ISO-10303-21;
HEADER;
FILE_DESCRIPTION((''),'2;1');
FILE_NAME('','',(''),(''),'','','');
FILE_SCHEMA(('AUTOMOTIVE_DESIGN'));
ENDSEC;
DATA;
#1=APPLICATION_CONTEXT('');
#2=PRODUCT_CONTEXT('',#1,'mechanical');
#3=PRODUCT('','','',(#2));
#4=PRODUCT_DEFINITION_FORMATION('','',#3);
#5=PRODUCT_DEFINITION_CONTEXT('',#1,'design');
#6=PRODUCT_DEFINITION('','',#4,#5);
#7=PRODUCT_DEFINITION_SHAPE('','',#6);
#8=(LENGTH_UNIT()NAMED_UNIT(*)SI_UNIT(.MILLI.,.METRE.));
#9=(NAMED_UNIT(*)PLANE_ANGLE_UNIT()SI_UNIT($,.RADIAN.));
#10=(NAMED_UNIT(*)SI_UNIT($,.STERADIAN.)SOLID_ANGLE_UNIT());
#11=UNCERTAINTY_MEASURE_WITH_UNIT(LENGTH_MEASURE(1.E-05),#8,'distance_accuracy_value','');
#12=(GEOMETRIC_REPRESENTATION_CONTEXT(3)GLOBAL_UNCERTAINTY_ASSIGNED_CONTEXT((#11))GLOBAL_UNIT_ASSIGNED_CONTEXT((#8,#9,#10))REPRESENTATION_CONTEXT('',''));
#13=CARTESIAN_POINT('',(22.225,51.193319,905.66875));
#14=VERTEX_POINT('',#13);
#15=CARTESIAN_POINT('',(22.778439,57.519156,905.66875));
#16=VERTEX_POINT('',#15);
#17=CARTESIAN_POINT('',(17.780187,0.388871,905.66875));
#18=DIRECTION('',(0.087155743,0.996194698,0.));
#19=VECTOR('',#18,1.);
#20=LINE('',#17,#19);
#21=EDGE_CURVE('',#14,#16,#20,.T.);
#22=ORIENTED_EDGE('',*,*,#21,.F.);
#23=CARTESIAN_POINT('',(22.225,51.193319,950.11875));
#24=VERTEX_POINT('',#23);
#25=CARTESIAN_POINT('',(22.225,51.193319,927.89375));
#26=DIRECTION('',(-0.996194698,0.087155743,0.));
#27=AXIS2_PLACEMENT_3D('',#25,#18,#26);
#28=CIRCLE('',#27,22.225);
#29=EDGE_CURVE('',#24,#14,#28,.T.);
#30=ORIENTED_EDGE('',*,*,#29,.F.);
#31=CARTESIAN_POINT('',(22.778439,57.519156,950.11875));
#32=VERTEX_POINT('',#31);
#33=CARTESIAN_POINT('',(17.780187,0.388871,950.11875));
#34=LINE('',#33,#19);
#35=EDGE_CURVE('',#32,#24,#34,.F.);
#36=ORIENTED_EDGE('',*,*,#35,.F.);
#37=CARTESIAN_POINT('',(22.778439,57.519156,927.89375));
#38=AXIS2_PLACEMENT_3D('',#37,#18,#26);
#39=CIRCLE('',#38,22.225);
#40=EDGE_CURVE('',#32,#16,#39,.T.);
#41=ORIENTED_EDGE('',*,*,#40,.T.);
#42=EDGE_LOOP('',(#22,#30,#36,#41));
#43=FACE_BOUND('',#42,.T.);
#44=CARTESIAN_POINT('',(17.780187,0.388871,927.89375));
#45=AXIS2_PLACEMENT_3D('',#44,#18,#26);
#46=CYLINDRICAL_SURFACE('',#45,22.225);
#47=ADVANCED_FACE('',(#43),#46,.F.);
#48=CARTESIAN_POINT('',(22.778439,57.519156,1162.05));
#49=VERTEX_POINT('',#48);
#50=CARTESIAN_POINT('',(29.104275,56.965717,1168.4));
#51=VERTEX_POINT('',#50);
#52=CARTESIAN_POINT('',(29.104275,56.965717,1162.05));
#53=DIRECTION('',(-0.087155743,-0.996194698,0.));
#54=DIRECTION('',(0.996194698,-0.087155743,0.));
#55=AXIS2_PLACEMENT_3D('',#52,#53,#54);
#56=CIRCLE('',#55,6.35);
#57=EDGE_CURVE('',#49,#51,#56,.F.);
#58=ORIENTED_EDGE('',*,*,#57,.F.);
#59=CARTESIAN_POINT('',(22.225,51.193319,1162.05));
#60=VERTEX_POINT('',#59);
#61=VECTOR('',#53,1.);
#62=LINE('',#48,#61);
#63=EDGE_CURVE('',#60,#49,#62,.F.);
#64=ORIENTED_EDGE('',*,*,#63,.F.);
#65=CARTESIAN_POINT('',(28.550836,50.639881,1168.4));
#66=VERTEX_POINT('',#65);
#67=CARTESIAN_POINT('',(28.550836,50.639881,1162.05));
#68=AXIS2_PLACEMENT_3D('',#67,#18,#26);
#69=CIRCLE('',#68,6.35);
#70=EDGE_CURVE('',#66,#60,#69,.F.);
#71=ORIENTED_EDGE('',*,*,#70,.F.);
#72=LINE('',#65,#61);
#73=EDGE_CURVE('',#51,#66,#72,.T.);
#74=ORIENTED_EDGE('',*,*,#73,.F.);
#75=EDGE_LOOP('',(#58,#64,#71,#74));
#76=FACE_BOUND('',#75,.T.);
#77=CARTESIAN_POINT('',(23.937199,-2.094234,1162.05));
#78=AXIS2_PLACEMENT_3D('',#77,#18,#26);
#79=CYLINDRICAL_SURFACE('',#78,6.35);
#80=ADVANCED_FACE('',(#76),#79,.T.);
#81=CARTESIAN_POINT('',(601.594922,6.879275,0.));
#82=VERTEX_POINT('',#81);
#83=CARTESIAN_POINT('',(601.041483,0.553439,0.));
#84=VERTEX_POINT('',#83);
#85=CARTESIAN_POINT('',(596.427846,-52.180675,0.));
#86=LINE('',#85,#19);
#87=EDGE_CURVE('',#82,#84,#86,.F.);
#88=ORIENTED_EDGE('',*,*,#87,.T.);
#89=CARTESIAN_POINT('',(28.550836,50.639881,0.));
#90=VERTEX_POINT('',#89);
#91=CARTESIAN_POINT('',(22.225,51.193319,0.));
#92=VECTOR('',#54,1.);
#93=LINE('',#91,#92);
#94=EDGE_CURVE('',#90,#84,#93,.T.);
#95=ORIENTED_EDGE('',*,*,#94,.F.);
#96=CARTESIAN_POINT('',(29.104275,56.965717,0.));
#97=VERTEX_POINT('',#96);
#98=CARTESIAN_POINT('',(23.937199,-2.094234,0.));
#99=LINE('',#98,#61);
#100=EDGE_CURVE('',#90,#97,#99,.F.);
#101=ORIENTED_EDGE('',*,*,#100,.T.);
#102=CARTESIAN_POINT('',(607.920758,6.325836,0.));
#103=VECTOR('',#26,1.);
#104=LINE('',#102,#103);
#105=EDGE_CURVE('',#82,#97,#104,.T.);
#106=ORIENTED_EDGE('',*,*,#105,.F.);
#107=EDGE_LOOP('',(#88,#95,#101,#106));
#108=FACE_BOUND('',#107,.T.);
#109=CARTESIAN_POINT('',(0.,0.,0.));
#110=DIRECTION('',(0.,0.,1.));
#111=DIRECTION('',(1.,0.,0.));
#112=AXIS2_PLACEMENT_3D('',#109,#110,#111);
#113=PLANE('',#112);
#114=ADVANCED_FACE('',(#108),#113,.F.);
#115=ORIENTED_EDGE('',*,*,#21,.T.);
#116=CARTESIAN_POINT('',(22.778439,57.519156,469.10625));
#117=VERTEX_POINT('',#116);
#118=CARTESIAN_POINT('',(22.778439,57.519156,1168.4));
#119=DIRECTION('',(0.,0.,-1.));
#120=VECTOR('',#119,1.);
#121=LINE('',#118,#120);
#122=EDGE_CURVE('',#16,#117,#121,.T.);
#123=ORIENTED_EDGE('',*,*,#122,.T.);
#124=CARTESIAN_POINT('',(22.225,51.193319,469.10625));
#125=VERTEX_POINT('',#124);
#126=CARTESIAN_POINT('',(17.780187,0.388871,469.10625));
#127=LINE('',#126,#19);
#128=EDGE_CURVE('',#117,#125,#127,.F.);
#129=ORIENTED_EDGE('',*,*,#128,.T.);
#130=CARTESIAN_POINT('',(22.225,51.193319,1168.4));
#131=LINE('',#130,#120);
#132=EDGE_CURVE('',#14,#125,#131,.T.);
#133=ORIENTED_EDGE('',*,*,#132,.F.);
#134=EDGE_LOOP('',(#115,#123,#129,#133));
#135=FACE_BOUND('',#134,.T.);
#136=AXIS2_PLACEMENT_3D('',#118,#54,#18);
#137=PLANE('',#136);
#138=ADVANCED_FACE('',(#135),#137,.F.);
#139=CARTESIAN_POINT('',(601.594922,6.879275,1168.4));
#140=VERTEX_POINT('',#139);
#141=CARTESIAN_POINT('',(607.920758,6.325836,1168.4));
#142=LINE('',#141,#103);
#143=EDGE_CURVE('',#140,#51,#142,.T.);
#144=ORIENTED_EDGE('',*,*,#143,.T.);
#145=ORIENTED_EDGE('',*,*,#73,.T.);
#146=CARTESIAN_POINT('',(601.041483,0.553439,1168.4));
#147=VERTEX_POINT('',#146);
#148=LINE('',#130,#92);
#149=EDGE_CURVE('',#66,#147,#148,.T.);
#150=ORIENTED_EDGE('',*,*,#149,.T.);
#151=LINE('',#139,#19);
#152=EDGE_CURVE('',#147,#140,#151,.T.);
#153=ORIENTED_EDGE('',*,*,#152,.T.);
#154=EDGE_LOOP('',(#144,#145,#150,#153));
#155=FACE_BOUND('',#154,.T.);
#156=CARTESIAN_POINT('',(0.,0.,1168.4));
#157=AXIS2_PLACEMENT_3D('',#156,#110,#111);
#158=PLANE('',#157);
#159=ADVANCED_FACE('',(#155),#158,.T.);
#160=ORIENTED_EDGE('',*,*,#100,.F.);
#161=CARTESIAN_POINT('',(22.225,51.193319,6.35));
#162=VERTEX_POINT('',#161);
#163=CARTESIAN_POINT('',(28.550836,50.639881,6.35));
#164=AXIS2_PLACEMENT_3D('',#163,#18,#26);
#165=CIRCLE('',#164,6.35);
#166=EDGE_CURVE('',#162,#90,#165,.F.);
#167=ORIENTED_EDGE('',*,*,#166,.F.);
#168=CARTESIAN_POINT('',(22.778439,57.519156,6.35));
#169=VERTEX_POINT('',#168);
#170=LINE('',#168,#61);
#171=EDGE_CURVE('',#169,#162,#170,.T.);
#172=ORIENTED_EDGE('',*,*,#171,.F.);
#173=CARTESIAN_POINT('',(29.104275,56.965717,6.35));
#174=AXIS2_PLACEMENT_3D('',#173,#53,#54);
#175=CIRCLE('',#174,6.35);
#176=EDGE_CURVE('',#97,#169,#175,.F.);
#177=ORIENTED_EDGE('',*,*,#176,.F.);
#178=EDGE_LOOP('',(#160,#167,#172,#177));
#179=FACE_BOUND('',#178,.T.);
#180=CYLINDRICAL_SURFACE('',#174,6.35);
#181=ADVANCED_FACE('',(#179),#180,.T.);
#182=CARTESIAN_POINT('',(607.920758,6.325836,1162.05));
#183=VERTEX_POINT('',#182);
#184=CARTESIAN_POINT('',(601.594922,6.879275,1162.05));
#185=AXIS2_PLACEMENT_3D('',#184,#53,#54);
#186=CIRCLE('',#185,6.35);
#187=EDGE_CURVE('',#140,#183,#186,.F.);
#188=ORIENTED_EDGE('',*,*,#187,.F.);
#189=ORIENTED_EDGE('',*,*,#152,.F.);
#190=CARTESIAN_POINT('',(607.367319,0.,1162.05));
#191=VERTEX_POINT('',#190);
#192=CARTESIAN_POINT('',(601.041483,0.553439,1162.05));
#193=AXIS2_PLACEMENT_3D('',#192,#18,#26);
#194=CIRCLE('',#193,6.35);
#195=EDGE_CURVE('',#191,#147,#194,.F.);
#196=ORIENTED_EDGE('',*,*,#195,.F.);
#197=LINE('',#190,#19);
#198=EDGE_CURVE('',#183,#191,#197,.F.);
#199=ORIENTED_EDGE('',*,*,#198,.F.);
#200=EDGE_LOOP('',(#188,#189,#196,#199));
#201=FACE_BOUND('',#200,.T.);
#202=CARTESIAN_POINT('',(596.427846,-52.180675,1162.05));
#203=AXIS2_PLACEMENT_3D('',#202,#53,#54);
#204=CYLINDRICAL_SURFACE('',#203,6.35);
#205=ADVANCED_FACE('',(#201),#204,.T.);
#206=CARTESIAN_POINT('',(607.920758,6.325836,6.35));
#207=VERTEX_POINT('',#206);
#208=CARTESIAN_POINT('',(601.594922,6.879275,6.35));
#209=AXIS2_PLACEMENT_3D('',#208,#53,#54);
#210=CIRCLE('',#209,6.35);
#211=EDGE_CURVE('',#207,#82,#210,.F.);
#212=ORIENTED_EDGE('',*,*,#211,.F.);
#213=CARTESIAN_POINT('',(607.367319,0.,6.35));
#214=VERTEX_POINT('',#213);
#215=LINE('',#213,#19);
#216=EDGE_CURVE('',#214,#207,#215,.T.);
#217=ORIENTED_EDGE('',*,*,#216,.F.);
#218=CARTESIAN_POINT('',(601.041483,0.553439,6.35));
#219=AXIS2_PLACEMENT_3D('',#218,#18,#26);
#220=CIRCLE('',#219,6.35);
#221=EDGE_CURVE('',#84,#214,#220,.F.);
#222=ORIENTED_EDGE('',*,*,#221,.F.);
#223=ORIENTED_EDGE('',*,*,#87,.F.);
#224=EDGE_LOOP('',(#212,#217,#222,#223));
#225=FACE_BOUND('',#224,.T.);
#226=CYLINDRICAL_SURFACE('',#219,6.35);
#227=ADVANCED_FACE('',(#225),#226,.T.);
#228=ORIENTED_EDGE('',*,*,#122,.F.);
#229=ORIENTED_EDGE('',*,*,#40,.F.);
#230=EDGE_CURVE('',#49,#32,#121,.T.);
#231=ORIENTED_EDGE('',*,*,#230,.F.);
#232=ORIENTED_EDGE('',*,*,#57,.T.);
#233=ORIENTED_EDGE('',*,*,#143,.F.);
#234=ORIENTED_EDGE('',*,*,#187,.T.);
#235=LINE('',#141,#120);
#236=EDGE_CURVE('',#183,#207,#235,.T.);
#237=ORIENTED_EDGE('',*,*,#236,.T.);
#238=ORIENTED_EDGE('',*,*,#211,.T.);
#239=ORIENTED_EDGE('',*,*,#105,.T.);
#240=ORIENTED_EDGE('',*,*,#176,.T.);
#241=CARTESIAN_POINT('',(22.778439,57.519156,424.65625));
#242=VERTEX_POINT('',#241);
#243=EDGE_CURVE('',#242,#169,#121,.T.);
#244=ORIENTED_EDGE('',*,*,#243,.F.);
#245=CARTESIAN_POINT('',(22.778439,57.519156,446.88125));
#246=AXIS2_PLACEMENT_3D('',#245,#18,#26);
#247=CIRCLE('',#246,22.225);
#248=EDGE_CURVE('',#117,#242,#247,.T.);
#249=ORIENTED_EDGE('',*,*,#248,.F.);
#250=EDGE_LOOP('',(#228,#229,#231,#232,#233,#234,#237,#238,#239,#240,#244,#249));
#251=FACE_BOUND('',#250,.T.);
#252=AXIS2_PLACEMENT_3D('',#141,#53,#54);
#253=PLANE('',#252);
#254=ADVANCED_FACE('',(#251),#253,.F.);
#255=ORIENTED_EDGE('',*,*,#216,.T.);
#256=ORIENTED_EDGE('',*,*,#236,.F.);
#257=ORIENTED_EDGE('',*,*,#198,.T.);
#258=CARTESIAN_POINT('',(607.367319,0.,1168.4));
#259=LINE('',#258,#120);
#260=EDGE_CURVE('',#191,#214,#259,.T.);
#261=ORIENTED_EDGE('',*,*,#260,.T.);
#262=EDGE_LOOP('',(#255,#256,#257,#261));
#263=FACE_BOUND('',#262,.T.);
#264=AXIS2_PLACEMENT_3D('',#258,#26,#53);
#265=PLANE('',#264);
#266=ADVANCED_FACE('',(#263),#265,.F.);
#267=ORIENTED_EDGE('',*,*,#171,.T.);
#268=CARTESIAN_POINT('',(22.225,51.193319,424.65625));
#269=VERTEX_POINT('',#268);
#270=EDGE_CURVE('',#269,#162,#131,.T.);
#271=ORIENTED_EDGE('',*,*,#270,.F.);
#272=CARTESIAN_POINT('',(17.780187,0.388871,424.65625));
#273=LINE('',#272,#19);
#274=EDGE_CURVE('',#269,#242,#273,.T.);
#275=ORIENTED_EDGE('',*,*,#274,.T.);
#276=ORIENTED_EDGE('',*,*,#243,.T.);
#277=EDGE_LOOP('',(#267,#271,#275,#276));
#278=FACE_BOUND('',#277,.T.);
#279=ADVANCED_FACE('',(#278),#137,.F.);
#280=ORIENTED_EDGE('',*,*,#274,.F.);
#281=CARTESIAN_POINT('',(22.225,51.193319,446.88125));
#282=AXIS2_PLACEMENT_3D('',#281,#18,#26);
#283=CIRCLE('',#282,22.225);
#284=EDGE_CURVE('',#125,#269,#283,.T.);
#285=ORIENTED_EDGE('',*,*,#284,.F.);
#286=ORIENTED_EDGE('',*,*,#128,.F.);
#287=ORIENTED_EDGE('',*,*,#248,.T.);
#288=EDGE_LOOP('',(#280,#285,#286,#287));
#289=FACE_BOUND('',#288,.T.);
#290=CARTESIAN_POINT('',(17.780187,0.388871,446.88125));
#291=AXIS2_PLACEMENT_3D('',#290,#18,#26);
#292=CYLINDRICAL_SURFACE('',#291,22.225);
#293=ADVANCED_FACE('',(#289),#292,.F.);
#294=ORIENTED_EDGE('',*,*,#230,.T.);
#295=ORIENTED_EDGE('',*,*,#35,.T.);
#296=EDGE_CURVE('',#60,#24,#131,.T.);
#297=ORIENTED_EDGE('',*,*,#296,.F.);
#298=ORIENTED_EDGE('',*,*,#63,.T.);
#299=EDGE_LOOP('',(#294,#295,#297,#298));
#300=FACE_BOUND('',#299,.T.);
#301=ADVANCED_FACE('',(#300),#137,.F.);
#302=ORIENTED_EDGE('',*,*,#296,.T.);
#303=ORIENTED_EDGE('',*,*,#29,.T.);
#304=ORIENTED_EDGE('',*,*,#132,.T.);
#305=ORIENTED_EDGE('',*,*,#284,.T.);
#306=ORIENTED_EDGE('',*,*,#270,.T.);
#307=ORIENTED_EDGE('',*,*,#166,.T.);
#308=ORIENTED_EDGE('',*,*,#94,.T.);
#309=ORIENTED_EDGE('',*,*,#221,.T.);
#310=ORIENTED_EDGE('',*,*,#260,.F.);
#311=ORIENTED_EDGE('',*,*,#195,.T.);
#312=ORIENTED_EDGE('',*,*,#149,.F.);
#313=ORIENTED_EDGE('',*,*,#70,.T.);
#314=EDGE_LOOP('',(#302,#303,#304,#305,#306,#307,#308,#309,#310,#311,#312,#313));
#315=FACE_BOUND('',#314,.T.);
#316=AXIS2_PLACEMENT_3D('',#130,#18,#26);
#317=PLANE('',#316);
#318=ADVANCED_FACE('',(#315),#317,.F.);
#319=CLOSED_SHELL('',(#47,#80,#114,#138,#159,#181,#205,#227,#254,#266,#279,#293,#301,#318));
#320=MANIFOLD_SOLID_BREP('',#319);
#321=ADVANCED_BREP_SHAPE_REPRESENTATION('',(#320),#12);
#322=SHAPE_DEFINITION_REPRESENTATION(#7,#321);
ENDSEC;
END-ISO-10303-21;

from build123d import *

# Parameters (mm, degrees)
BOSS_EXTRUDE1_DEPTH = 1168.4
SKETCH4_R           = 22.225
CUT_EXTRUDE1_DEPTH  = 58.348513463
FILLET1_R           = 6.35


with BuildPart() as part:
    # Sketch1 → Boss-Extrude1 (new body)
    with BuildSketch(Plane.XY):
        Polygon((22.225, 51.193319499), (607.367319431, 0), (607.920758397, 6.325836333), (22.778438966, 57.519155832), align=None)
    extrude(amount=BOSS_EXTRUDE1_DEPTH)

    # Sketch4 → Cut-Extrude1 (cut, through all)
    with BuildSketch(Plane(origin=(5.167076131, 59.05995043, 0), x_dir=(0.996194698, -0.087155743, 0), z_dir=(0.087155743, 0.996194698, 0))):
        with Locations((17.67863538, -446.88125)):
            Circle(SKETCH4_R)
        with Locations((17.67863538, -927.89375)):
            Circle(SKETCH4_R)
    extrude(amount=-CUT_EXTRUDE1_DEPTH, mode=Mode.SUBTRACT)

    # Fillet1
    fillet1_edges = [part.edges().sort_by_distance(p)[0] for p in [
        (607.644038914, 3.162918166, 1168.4),
        (22.501719483, 54.356237666, 1168.4),
        (607.644038914, 3.162918166, 0),
        (22.501719483, 54.356237666, 0),
    ]]
    fillet(fillet1_edges, radius=FILLET1_R)


solid = part.part
